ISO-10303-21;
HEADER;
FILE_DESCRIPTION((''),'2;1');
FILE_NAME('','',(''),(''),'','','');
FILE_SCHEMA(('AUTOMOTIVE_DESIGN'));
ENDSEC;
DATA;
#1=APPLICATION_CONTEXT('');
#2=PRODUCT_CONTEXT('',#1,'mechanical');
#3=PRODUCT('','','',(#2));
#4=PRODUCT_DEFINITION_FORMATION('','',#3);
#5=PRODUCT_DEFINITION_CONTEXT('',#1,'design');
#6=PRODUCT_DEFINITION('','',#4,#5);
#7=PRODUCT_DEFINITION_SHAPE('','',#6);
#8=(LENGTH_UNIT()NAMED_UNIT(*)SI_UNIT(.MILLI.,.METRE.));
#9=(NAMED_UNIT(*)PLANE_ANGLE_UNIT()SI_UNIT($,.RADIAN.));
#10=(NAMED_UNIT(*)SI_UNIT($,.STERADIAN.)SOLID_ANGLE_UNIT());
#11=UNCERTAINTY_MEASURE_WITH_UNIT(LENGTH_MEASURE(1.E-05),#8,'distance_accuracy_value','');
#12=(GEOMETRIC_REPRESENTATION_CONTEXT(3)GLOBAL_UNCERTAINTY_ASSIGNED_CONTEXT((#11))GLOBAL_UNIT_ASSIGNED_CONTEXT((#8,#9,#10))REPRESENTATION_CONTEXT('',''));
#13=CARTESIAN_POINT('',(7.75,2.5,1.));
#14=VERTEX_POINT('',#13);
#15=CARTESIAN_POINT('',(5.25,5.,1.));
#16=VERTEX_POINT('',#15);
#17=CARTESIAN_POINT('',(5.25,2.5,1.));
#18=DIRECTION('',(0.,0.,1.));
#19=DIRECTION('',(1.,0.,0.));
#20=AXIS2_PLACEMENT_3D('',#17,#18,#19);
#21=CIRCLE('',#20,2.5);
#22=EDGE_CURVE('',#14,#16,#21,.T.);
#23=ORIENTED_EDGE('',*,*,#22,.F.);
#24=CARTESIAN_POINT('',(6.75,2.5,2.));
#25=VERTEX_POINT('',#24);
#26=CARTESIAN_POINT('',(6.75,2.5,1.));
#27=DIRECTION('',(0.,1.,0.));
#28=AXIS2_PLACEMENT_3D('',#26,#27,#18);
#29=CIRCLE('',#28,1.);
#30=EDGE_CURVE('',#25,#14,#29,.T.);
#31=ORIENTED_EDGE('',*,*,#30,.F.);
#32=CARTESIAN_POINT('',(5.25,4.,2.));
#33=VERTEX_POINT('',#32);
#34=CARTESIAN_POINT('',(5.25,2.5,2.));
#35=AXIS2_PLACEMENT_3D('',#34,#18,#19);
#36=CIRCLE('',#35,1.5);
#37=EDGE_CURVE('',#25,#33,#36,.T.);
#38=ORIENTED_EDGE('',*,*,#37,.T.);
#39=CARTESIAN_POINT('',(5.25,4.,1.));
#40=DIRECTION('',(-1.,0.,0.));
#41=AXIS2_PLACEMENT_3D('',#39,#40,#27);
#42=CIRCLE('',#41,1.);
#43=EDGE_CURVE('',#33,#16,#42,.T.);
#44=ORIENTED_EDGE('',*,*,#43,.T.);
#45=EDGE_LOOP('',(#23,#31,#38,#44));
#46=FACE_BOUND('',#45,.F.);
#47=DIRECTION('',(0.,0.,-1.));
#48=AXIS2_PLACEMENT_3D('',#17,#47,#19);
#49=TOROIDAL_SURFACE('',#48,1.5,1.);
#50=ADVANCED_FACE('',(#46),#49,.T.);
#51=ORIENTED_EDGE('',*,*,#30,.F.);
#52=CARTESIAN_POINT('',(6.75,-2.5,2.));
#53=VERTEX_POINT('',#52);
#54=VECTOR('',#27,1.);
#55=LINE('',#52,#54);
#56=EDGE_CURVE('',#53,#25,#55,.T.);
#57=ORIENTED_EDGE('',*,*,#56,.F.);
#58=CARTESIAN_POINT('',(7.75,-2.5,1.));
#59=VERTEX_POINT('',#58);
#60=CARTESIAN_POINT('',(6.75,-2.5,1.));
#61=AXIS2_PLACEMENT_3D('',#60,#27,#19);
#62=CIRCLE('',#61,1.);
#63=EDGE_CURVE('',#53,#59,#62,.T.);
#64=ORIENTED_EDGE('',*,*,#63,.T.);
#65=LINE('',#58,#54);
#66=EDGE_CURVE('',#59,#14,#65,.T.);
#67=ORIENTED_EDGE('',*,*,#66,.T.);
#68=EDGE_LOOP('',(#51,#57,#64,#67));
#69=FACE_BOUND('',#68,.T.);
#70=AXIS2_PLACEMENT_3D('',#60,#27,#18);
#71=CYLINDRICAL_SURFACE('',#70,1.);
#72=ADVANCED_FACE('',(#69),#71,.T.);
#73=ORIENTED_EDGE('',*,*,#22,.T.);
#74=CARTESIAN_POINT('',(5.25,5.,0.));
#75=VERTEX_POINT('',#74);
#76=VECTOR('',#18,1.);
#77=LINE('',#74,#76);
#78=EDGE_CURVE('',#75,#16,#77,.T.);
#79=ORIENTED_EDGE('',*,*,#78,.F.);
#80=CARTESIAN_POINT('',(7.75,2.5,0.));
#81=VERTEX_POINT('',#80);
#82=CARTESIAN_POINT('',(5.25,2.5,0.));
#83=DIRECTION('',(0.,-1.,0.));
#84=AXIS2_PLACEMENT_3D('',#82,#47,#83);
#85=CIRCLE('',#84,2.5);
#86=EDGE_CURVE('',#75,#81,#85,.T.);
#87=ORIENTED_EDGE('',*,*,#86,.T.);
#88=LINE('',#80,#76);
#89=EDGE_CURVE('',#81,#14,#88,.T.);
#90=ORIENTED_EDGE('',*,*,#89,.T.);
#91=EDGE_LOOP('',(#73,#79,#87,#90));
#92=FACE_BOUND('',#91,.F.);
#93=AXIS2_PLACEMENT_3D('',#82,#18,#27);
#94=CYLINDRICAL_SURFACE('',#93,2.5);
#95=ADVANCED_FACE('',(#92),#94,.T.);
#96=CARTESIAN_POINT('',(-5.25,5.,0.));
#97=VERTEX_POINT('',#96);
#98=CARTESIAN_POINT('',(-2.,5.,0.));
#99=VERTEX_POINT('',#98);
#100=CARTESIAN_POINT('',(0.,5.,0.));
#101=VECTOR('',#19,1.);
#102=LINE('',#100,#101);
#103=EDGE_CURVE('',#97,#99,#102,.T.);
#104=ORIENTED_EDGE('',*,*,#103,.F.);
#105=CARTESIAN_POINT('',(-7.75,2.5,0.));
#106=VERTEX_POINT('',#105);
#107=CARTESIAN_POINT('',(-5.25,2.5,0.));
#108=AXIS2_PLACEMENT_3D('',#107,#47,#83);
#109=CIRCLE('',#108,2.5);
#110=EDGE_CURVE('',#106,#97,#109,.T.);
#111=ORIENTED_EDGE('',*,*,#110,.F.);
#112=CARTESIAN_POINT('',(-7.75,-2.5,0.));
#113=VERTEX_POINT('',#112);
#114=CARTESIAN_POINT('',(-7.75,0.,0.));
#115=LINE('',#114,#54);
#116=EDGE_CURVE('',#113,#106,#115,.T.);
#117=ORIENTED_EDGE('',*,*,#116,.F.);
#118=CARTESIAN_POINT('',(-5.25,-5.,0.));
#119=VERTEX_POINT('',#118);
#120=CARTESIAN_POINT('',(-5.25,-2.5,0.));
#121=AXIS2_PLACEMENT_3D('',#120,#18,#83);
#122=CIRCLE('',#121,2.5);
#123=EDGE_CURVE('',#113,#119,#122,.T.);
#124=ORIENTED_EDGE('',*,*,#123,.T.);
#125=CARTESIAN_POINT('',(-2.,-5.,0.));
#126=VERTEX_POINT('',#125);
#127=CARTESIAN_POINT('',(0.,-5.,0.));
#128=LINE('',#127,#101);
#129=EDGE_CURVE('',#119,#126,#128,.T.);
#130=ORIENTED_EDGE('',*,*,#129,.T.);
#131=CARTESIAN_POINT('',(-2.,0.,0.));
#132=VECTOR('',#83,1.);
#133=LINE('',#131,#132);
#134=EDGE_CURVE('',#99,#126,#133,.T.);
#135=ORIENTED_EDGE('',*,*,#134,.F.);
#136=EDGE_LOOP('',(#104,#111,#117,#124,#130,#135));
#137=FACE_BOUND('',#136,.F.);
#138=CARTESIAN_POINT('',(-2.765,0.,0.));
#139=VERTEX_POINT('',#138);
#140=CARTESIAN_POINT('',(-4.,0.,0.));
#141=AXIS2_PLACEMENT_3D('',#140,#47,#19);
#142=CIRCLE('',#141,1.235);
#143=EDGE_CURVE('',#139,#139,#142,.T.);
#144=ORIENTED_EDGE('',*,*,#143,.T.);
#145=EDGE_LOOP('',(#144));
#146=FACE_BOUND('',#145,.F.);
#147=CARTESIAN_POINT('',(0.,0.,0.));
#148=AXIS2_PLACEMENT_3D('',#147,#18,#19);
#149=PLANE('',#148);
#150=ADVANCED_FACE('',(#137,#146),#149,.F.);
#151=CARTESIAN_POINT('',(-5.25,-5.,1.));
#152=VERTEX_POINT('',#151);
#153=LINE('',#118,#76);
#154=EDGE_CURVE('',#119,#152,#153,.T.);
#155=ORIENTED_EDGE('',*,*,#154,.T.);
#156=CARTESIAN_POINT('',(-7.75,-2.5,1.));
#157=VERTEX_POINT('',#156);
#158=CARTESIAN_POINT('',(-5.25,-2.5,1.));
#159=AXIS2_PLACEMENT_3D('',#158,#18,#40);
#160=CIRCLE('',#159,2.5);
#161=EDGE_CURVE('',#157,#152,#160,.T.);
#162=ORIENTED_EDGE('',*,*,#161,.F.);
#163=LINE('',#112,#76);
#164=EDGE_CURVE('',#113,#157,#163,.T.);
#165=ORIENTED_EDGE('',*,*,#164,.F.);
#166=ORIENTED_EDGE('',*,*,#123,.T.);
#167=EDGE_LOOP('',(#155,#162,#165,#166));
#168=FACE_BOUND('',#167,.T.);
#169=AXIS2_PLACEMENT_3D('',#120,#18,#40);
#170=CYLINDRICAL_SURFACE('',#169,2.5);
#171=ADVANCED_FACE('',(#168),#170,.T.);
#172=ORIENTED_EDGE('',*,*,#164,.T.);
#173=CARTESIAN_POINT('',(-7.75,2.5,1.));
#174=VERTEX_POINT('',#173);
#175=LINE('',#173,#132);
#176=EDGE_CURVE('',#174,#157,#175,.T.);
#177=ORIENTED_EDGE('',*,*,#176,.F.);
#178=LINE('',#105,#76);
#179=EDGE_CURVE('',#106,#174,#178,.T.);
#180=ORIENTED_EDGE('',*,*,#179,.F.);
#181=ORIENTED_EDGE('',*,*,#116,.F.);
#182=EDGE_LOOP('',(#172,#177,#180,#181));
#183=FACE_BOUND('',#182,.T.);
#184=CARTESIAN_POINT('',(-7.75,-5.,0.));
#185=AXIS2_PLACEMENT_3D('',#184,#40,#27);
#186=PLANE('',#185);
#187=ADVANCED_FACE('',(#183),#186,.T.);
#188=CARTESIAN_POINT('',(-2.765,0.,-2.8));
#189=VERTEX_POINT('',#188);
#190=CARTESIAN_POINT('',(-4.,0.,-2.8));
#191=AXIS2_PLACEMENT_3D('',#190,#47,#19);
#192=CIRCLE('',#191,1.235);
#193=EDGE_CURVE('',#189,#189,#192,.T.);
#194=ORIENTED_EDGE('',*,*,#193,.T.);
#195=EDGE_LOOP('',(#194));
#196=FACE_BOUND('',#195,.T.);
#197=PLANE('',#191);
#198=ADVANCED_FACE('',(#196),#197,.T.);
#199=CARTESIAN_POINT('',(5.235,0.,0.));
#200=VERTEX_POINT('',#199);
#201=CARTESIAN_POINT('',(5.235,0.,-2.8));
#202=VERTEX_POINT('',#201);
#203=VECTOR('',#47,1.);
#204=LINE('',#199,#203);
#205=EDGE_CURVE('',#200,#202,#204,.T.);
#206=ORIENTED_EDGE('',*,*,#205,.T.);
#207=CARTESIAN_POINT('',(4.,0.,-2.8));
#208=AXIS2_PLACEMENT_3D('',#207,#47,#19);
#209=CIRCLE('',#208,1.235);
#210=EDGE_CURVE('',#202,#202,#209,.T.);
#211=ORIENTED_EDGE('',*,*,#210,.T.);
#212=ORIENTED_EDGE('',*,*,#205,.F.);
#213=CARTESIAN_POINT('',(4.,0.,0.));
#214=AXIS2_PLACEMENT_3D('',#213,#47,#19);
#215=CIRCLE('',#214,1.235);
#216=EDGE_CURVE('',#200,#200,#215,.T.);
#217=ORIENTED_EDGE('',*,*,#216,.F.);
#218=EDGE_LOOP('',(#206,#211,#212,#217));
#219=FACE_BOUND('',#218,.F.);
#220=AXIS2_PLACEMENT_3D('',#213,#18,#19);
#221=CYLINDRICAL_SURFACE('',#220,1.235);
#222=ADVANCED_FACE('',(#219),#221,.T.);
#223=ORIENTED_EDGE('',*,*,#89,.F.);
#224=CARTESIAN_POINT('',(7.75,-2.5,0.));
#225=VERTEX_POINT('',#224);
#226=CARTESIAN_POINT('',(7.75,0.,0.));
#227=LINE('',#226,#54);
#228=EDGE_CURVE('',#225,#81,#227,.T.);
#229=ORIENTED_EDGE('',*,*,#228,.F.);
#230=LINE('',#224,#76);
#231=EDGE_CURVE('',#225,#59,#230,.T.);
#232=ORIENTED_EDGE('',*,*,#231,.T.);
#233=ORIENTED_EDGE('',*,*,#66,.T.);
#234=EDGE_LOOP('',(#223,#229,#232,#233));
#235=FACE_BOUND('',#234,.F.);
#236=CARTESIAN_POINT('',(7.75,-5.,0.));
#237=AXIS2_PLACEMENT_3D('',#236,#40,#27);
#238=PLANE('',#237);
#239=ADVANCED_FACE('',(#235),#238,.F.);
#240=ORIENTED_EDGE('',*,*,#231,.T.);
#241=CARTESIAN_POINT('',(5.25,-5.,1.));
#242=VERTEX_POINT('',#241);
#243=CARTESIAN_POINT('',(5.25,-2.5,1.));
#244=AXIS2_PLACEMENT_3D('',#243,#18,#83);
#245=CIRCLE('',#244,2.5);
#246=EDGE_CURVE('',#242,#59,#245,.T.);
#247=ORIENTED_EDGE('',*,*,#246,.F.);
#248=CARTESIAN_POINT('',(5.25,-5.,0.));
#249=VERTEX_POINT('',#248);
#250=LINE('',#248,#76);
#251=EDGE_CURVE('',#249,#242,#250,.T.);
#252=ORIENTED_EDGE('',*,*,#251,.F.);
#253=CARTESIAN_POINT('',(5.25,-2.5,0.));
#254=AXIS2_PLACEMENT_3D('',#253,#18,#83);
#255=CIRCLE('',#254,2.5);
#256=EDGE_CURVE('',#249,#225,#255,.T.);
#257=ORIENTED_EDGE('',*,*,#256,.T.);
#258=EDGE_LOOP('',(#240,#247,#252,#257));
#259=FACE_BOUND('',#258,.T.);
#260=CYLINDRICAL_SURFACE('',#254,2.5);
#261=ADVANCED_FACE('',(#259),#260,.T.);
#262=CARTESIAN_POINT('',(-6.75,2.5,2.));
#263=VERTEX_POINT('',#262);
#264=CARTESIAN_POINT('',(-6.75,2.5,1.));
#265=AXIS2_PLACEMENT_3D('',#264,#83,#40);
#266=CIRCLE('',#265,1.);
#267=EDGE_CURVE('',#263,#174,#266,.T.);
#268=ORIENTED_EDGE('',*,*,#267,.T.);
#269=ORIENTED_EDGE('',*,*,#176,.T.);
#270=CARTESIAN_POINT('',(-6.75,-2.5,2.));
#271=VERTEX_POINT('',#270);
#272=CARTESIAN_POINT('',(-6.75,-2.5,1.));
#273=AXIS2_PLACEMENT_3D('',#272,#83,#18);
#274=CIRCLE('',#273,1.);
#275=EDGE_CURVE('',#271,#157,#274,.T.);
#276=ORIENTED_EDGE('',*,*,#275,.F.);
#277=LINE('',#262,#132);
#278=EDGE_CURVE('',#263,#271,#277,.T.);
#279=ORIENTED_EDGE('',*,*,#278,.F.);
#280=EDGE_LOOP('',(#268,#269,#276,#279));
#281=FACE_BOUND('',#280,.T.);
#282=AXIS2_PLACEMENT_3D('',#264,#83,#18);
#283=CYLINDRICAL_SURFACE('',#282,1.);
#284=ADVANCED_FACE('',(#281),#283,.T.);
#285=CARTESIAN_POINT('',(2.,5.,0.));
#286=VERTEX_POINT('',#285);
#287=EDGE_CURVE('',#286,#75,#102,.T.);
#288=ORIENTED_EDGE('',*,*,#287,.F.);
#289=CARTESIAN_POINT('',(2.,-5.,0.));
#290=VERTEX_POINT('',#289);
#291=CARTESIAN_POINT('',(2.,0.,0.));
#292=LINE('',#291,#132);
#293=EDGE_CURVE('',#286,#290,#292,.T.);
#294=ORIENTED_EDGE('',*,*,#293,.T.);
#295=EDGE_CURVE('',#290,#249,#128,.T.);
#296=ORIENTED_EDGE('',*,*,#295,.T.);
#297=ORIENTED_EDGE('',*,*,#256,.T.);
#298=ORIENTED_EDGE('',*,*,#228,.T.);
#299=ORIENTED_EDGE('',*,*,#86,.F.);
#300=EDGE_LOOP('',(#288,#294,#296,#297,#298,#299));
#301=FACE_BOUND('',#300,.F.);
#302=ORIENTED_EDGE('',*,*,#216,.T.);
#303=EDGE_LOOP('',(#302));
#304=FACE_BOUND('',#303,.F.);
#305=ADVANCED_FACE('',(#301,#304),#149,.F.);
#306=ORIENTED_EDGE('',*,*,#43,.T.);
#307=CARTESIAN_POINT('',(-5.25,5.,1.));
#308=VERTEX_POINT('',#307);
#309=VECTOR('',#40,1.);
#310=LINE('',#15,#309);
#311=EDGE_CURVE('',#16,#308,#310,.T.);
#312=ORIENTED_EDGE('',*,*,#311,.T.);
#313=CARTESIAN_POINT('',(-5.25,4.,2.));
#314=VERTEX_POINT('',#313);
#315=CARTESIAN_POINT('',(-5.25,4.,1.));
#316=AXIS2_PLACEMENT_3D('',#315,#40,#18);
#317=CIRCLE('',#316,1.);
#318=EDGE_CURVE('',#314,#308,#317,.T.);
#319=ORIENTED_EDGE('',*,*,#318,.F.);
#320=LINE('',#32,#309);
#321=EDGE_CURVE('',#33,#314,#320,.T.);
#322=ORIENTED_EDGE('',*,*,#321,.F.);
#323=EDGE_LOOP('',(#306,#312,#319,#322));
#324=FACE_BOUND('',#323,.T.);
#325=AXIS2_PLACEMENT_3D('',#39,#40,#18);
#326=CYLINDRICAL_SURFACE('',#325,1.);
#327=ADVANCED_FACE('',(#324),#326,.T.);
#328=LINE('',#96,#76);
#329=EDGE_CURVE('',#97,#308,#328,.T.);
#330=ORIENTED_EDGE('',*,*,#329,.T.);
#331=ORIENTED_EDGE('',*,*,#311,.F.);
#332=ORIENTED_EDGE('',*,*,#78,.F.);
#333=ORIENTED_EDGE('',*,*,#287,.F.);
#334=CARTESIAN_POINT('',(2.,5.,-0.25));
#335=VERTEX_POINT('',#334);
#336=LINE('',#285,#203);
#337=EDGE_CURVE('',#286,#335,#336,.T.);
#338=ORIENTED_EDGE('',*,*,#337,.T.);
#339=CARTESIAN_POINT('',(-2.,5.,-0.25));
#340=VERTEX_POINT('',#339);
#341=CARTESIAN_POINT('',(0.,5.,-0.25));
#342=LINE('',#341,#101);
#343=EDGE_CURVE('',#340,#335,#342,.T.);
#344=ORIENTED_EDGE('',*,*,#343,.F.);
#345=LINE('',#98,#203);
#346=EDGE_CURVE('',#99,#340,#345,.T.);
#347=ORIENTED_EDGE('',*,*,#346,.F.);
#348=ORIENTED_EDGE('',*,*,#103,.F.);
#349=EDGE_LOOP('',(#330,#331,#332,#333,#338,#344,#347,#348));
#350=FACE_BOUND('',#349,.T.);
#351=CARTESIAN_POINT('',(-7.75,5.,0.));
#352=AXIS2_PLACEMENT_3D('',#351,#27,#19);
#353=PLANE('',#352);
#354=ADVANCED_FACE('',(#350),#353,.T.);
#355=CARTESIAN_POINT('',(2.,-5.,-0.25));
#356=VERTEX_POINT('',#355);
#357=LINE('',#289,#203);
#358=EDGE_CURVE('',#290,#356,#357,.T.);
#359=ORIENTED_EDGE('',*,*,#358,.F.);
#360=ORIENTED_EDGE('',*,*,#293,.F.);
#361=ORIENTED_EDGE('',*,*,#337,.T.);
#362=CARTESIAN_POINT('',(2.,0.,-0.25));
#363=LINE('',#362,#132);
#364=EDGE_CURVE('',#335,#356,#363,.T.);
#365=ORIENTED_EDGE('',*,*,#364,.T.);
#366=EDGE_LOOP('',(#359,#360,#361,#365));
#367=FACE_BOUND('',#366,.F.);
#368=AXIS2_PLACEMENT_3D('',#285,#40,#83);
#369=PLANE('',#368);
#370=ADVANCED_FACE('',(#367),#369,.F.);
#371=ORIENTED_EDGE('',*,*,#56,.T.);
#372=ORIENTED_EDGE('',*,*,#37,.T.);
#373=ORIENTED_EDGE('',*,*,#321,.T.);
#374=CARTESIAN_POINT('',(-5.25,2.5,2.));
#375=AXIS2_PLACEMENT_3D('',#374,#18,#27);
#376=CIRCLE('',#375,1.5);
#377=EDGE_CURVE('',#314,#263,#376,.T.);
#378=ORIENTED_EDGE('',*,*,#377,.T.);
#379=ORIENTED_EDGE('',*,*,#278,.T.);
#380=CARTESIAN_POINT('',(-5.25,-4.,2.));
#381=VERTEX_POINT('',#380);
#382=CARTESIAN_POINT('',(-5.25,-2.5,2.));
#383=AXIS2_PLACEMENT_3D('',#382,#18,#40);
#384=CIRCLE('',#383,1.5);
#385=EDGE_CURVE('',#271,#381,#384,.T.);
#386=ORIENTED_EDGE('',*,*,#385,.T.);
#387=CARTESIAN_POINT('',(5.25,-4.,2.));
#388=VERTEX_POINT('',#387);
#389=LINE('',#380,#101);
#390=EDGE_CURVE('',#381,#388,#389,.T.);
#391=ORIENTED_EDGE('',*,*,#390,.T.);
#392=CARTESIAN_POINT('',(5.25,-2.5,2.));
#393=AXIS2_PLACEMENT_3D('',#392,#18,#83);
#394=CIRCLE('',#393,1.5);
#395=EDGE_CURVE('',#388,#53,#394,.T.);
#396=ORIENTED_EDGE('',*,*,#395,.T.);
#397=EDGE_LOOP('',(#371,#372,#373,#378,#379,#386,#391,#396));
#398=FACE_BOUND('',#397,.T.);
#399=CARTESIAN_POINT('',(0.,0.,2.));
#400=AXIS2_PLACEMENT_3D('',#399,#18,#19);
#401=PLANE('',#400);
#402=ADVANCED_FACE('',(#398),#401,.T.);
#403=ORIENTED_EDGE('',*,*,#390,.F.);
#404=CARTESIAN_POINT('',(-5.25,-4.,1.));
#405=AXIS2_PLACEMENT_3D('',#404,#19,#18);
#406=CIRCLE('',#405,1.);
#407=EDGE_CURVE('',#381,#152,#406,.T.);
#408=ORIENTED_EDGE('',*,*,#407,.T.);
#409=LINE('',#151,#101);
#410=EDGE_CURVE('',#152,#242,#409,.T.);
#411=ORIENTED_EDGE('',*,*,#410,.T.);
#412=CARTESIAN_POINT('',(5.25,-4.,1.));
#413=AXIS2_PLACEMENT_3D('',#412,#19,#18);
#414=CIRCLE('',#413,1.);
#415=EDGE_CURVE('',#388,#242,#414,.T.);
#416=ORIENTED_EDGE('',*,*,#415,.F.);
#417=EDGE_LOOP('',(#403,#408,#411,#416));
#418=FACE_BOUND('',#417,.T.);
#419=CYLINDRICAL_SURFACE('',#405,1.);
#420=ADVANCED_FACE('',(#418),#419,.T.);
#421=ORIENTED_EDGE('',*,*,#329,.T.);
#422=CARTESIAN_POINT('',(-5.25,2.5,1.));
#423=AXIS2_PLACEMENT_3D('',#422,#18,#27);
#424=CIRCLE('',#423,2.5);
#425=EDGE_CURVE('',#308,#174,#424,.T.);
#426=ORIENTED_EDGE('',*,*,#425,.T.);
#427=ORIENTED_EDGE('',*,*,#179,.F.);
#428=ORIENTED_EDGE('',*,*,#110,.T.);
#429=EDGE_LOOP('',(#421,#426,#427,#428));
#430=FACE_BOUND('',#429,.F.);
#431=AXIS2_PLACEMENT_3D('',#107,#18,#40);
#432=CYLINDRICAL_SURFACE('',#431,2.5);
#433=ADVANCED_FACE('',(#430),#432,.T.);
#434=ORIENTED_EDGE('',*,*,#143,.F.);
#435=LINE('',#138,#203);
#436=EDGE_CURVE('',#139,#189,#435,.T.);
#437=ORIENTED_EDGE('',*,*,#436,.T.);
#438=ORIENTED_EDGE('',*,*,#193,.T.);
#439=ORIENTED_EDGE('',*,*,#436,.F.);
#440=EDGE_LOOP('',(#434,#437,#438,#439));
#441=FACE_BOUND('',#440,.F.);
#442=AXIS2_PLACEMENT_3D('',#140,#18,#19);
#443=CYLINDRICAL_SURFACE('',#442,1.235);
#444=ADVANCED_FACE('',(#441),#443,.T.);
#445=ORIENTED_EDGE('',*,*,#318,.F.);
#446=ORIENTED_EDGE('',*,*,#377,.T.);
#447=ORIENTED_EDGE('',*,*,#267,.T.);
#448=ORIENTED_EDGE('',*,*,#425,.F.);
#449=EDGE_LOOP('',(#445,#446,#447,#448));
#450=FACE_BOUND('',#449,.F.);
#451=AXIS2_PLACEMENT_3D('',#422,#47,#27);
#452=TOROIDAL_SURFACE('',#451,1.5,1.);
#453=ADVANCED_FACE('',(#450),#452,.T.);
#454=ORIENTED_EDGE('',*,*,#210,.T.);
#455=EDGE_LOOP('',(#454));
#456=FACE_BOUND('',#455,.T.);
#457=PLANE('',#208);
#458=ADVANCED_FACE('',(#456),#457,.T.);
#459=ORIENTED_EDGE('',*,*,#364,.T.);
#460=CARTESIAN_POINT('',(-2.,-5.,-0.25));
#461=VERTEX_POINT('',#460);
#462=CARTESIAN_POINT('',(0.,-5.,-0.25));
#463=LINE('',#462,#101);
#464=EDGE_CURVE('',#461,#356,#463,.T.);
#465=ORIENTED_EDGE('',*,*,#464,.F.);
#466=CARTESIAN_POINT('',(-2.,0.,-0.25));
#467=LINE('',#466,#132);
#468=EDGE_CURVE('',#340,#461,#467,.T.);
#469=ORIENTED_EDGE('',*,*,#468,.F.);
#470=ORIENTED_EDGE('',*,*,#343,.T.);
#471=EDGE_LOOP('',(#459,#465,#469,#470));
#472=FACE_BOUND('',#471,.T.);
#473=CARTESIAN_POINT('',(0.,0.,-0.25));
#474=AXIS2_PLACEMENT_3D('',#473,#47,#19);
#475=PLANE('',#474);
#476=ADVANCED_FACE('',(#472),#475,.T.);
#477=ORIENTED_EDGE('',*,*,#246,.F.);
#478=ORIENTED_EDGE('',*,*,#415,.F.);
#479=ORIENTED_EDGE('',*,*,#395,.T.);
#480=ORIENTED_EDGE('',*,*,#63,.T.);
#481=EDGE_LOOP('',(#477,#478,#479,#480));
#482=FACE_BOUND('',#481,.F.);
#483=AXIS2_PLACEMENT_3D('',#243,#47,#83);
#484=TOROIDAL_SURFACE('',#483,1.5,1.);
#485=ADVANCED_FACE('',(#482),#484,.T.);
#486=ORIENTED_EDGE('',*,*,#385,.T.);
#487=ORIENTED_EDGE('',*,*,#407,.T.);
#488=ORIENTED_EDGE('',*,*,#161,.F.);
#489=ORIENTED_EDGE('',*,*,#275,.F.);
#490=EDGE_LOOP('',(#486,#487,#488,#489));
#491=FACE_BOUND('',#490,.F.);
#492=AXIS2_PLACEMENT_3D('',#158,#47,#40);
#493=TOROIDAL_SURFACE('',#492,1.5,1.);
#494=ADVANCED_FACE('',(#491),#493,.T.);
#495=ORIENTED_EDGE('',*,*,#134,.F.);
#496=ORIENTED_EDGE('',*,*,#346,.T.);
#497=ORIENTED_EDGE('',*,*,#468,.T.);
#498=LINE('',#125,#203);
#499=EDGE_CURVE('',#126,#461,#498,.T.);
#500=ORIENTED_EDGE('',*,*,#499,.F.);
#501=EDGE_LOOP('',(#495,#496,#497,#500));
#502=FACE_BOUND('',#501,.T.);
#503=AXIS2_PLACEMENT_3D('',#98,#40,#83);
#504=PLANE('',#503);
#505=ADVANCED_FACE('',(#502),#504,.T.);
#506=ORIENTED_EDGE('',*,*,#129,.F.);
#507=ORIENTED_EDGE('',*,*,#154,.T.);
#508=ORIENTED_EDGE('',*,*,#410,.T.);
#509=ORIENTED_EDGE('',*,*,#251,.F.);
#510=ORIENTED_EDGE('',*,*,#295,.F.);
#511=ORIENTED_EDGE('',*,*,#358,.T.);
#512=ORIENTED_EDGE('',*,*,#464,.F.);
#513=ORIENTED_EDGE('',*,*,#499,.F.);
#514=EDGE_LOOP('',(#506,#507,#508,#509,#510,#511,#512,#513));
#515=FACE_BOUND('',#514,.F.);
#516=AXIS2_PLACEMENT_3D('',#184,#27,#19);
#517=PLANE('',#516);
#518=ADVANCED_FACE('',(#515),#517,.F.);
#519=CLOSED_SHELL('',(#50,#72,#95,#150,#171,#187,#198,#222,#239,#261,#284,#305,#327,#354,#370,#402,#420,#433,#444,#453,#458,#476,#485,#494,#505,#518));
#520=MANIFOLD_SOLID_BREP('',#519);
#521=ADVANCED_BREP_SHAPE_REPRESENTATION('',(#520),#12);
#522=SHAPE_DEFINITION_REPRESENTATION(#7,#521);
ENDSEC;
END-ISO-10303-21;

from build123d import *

# Parameters (mm, degrees)
SKETCH_W     = 15.5
SKETCH_H     = 10
PAD_DEPTH    = 2
SKETCH001_R  = 1.235
PAD001_DEPTH = 2.8
FILLET_R     = 2.5
FILLET001_R  = 1
SKETCH002_W  = 4
SKETCH002_H  = 10
PAD002_DEPTH = 0.25


with BuildPart() as part:
    # Sketch → Pad (new body)
    with BuildSketch(Plane.XY):
        Rectangle(SKETCH_W, SKETCH_H)
    extrude(amount=PAD_DEPTH)

    # Sketch001 (on Face5 of Pad) → Pad001 (join)
    with BuildSketch(Plane(origin=(0, 0, 0), x_dir=(1, 0, 0), z_dir=(0, 0, -1))):
        with Locations((-4, 0)):
            Circle(SKETCH001_R)
        with Locations((4, 0)):
            Circle(SKETCH001_R)
    extrude(amount=PAD001_DEPTH)

    # Fillet
    fillet_edges = [part.edges().sort_by_distance(p)[0] for p in [
        (7.75, 5, 1),
        (7.75, -5, 1),
        (-7.75, -5, 1),
        (-7.75, 5, 1),
    ]]
    fillet(fillet_edges, radius=FILLET_R)

    # Fillet001
    fillet001_edges = [part.edges().sort_by_distance(p)[0] for p in [
        (0, -5, 2),
        (7.75, 0, 2),
        (0, 5, 2),
        (-7.75, 0, 2),
    ]]
    fillet(fillet001_edges, radius=FILLET001_R)

    # Sketch002 (on Face4 of Fillet001) → Pad002 (join)
    with BuildSketch(Plane(origin=(0, 0, 0), x_dir=(1, 0, 0), z_dir=(0, 0, -1))):
        Rectangle(SKETCH002_W, SKETCH002_H)
    extrude(amount=PAD002_DEPTH)


solid = part.part
